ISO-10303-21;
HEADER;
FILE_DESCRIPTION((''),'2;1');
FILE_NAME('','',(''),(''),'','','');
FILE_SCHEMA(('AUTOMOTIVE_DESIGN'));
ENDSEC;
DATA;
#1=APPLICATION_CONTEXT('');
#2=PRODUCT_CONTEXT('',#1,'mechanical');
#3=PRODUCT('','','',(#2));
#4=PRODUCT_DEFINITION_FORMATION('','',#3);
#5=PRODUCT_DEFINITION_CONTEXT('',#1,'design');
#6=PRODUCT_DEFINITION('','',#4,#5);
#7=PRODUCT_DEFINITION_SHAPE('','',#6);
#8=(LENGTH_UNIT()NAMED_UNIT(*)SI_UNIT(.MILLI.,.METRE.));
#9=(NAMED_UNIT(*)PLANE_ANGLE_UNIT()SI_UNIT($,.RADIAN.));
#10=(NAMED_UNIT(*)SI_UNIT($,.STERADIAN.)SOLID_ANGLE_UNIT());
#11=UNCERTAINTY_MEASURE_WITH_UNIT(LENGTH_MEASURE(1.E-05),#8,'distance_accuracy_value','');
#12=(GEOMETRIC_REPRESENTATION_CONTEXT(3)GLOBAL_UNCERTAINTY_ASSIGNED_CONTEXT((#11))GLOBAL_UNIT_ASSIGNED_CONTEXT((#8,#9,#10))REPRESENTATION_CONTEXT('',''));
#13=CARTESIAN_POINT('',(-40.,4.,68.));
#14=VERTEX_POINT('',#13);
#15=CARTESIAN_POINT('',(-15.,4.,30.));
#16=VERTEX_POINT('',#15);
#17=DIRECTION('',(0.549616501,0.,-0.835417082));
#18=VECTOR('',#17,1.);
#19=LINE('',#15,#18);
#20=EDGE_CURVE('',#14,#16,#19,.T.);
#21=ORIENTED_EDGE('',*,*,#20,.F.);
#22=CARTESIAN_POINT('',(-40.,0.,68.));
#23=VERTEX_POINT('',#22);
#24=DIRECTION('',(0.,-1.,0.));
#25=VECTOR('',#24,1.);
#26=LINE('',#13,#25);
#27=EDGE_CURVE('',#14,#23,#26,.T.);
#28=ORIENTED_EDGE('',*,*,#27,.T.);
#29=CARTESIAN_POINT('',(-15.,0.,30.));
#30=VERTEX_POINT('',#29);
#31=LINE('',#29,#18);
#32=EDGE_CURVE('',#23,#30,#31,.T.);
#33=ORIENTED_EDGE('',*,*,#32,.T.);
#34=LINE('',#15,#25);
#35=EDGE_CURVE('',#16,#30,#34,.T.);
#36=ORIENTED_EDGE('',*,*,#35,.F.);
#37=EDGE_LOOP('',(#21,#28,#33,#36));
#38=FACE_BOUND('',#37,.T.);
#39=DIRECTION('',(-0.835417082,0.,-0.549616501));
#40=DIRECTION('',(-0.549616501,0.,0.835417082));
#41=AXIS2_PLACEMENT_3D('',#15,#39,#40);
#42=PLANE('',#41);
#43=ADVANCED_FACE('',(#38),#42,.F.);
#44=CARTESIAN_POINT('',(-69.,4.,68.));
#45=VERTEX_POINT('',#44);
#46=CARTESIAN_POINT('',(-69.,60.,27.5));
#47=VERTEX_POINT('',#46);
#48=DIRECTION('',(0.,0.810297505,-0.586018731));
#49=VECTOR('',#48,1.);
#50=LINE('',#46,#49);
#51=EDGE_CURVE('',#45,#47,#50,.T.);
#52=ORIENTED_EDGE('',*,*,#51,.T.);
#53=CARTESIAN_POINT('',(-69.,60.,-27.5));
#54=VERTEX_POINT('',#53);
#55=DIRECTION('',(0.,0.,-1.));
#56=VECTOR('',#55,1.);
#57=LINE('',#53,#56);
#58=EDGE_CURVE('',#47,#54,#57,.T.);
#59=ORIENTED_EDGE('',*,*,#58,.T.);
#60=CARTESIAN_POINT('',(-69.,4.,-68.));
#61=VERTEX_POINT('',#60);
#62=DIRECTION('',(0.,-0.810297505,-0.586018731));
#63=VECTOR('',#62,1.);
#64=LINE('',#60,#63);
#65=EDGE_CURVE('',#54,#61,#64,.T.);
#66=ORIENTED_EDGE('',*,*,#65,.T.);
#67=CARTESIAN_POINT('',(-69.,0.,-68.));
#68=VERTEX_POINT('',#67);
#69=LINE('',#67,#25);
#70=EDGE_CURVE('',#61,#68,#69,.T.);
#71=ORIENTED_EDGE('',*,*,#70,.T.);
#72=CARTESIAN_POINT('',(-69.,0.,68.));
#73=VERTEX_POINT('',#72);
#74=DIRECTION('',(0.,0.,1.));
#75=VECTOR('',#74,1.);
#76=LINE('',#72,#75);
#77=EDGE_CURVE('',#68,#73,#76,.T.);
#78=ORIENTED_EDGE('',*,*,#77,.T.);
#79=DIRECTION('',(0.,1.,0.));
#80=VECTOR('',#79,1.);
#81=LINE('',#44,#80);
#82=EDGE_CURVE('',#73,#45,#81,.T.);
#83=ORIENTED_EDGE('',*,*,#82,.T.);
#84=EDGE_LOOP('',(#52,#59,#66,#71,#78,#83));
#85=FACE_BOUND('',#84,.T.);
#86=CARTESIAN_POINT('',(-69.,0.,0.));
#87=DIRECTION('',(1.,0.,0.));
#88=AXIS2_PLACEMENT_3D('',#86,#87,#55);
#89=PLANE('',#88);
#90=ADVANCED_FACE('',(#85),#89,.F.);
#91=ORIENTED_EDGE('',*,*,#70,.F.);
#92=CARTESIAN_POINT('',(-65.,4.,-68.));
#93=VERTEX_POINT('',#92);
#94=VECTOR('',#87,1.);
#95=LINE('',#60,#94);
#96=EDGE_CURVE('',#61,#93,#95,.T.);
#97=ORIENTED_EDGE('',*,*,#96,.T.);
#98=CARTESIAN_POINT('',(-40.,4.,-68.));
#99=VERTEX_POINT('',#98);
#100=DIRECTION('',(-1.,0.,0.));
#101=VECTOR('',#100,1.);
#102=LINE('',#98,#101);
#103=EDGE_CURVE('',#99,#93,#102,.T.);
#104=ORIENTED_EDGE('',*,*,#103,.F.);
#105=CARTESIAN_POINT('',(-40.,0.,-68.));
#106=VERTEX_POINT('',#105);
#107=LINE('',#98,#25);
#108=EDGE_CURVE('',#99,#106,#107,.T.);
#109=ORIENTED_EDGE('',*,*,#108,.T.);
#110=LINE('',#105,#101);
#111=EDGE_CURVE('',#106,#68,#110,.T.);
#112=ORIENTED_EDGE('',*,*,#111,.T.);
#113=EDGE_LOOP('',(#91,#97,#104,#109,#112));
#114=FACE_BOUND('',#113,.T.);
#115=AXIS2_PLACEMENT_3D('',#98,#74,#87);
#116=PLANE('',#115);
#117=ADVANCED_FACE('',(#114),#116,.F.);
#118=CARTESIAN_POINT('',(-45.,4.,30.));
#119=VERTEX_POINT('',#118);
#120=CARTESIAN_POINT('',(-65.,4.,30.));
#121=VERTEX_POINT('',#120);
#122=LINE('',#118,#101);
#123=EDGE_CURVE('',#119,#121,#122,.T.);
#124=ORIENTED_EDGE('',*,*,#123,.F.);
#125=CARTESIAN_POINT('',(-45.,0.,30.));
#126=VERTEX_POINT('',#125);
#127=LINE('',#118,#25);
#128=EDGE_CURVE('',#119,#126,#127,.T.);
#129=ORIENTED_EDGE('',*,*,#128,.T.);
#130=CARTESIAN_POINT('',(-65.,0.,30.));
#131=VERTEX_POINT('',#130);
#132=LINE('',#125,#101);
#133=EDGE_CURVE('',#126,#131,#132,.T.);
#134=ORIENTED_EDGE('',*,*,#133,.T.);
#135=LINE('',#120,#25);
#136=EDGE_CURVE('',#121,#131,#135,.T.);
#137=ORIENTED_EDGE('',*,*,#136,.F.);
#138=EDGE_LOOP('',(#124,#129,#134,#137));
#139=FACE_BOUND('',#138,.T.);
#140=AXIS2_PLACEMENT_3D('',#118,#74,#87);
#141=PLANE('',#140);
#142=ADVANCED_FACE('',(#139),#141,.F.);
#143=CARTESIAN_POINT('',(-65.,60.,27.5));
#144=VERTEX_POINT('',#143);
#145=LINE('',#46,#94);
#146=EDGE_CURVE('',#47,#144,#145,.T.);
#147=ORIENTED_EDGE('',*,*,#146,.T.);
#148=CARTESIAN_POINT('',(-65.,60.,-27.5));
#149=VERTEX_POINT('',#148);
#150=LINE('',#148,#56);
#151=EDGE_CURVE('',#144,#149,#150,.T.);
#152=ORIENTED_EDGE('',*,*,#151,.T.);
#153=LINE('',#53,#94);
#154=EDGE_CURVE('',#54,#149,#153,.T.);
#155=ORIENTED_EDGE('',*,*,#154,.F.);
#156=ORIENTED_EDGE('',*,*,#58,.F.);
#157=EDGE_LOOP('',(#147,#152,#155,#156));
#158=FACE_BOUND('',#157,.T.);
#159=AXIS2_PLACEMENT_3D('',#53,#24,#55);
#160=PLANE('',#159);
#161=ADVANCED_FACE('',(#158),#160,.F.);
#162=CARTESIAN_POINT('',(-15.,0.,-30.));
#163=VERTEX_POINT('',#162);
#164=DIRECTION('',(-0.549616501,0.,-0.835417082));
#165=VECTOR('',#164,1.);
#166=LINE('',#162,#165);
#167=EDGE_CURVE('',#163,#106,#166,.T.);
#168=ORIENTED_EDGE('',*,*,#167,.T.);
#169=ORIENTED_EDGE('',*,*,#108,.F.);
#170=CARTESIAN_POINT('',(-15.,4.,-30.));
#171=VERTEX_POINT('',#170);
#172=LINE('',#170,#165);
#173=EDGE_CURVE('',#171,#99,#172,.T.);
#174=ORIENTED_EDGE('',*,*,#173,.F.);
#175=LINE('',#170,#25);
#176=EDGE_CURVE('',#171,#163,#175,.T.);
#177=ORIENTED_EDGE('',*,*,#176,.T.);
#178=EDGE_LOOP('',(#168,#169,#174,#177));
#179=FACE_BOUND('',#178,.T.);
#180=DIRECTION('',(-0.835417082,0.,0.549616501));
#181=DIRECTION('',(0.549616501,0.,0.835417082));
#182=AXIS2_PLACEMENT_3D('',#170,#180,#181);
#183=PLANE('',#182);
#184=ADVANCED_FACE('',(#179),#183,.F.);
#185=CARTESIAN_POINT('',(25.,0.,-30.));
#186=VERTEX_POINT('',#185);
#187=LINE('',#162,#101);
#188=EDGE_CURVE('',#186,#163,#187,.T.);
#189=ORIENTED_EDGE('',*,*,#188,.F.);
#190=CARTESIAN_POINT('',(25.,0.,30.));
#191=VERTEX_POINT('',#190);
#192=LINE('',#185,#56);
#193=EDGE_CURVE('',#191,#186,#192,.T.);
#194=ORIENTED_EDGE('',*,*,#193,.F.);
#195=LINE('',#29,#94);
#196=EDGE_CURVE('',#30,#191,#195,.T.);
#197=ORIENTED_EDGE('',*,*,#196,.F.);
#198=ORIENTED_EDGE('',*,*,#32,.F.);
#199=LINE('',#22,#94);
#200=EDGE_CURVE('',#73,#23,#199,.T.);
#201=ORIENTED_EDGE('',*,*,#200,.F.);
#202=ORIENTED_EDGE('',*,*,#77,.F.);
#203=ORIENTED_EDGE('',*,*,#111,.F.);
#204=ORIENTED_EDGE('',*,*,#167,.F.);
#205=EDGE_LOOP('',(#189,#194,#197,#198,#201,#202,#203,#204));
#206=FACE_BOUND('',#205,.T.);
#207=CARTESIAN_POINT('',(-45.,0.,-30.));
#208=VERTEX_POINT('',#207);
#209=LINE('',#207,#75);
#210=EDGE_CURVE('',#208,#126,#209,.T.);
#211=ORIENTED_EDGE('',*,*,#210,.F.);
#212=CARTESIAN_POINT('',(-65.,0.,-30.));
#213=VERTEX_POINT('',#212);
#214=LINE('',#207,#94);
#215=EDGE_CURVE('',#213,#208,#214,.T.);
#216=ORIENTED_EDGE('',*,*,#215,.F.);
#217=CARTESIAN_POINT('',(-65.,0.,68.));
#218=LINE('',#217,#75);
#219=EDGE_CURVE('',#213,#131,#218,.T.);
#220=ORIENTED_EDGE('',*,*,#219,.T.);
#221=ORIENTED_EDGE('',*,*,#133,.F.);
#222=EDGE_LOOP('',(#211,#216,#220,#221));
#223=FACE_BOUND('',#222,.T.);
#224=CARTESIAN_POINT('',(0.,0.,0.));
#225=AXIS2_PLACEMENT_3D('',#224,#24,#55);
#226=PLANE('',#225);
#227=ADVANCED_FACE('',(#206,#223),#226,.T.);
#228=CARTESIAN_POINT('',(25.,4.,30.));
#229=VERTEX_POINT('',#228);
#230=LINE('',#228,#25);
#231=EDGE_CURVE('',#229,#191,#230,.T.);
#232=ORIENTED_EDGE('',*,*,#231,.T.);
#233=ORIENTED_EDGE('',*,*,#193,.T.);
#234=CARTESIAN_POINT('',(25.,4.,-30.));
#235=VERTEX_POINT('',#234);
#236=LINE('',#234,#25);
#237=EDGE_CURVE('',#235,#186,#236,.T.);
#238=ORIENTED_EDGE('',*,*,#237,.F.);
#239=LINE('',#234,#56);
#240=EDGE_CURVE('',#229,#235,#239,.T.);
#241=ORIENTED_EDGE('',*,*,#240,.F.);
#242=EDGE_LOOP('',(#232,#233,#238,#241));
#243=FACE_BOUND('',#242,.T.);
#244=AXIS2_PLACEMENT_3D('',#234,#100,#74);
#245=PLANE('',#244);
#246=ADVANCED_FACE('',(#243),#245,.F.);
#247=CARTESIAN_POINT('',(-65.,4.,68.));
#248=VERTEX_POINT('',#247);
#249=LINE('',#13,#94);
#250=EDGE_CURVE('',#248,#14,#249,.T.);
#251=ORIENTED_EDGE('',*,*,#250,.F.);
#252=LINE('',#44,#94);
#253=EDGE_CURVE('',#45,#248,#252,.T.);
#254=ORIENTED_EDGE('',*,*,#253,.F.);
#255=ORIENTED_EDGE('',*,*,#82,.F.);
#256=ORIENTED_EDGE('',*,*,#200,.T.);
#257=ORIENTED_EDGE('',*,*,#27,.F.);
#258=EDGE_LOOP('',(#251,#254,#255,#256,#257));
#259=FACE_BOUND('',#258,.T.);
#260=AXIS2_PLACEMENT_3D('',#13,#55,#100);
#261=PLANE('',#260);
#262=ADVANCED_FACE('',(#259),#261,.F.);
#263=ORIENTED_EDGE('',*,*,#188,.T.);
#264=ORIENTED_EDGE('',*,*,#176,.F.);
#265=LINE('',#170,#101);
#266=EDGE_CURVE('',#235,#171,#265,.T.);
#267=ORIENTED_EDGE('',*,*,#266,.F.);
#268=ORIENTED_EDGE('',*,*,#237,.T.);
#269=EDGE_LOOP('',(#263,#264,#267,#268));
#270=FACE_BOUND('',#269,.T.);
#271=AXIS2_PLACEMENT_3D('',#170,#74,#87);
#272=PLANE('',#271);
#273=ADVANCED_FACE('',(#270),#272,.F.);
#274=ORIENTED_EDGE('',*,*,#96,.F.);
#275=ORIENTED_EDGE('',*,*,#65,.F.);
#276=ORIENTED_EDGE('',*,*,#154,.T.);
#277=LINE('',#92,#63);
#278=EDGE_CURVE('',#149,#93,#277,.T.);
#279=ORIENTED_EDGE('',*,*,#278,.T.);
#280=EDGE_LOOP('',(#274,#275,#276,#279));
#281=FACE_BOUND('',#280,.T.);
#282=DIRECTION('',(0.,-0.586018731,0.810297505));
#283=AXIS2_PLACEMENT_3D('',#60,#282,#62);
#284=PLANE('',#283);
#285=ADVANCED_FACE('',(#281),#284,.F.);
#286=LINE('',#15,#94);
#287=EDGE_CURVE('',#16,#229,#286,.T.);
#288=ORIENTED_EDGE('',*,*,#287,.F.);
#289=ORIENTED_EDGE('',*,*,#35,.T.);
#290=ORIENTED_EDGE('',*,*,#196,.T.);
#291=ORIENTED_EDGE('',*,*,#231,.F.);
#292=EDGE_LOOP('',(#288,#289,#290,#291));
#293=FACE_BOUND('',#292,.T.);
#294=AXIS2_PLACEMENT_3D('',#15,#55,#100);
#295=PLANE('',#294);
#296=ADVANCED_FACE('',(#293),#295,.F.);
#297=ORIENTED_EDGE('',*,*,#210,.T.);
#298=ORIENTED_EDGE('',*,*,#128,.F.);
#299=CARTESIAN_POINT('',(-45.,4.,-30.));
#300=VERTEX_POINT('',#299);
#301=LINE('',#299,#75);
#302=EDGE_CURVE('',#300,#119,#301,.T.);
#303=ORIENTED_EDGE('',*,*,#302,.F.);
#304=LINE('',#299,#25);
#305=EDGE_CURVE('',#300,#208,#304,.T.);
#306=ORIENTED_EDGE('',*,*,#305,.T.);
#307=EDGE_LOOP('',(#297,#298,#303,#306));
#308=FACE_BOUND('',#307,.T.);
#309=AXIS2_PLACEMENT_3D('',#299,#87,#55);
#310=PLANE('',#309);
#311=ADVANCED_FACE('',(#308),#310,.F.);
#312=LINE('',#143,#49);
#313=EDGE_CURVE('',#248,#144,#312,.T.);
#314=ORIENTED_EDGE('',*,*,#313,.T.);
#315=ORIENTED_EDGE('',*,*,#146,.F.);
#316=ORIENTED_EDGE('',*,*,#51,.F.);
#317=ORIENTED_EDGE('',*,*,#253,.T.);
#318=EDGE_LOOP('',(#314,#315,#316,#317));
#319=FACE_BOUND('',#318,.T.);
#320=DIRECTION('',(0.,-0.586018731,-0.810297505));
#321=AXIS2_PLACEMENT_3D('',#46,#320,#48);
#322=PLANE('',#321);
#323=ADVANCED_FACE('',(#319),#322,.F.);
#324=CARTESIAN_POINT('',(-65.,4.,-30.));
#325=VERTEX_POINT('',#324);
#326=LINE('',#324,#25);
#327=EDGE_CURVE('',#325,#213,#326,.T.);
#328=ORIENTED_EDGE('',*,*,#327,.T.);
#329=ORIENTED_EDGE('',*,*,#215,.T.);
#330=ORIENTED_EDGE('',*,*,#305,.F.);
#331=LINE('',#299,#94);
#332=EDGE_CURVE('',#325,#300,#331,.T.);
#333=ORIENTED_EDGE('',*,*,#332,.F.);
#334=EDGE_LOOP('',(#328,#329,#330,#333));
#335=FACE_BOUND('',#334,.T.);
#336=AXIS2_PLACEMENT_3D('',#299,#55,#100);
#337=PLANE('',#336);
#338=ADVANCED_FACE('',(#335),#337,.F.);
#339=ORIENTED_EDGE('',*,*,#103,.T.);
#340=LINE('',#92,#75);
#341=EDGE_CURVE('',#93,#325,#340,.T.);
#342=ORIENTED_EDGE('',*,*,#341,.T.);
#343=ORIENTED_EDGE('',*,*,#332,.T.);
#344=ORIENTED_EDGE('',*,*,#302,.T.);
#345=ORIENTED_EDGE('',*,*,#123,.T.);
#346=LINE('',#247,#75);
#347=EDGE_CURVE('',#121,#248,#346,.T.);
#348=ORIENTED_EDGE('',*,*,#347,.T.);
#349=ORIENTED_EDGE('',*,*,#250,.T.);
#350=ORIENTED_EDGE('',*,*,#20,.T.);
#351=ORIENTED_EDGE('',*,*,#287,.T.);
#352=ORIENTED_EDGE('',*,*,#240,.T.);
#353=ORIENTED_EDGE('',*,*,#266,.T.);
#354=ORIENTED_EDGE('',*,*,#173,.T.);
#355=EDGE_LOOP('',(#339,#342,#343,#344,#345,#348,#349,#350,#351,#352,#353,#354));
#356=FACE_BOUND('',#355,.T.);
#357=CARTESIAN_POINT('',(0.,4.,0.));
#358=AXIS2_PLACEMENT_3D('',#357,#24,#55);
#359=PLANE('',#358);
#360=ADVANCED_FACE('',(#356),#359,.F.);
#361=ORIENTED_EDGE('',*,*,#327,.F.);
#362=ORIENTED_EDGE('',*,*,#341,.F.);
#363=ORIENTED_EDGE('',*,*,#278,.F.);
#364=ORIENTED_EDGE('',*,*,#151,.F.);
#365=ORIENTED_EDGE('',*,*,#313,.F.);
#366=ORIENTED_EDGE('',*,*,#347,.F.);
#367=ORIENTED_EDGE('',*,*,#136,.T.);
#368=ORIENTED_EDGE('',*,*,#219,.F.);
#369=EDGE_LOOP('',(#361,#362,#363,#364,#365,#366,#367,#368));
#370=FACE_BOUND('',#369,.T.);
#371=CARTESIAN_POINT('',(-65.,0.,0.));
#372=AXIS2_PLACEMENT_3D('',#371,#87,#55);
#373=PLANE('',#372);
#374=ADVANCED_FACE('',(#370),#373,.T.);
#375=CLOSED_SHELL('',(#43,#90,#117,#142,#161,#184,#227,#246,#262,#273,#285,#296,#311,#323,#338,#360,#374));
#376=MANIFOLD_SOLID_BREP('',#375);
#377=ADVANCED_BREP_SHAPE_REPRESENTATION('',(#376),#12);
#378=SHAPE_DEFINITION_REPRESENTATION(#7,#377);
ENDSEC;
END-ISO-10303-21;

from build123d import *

# Parameters (mm, degrees)
BOSS_EXTRUDE1_DEPTH = 4
BOSS_EXTRUDE3_DEPTH = 4


with BuildPart() as part:
    # Sketch1 → Boss-Extrude1 (new body)
    with BuildSketch(Plane(origin=(0, 0, 0), x_dir=(1, 0, 0), z_dir=(0, 1, 0))):
        Polygon((-15, 30), (25, 30), (25, -30), (-15, -30), (-40, -68), (-65, -68), (-65, -30), (-45, -30), (-45, 30), (-65, 30), (-65, 68), (-40, 68), align=None)
    extrude(amount=BOSS_EXTRUDE1_DEPTH)

    # Sketch3 → Boss-Extrude3 (add)
    with BuildSketch(Plane.ZY.offset(65)):
        Polygon((-68, 0), (-68, 4), (-27.5, 60), (27.5, 60), (68, 4), (68, 0), align=None)
    extrude(amount=BOSS_EXTRUDE3_DEPTH)


solid = part.part
